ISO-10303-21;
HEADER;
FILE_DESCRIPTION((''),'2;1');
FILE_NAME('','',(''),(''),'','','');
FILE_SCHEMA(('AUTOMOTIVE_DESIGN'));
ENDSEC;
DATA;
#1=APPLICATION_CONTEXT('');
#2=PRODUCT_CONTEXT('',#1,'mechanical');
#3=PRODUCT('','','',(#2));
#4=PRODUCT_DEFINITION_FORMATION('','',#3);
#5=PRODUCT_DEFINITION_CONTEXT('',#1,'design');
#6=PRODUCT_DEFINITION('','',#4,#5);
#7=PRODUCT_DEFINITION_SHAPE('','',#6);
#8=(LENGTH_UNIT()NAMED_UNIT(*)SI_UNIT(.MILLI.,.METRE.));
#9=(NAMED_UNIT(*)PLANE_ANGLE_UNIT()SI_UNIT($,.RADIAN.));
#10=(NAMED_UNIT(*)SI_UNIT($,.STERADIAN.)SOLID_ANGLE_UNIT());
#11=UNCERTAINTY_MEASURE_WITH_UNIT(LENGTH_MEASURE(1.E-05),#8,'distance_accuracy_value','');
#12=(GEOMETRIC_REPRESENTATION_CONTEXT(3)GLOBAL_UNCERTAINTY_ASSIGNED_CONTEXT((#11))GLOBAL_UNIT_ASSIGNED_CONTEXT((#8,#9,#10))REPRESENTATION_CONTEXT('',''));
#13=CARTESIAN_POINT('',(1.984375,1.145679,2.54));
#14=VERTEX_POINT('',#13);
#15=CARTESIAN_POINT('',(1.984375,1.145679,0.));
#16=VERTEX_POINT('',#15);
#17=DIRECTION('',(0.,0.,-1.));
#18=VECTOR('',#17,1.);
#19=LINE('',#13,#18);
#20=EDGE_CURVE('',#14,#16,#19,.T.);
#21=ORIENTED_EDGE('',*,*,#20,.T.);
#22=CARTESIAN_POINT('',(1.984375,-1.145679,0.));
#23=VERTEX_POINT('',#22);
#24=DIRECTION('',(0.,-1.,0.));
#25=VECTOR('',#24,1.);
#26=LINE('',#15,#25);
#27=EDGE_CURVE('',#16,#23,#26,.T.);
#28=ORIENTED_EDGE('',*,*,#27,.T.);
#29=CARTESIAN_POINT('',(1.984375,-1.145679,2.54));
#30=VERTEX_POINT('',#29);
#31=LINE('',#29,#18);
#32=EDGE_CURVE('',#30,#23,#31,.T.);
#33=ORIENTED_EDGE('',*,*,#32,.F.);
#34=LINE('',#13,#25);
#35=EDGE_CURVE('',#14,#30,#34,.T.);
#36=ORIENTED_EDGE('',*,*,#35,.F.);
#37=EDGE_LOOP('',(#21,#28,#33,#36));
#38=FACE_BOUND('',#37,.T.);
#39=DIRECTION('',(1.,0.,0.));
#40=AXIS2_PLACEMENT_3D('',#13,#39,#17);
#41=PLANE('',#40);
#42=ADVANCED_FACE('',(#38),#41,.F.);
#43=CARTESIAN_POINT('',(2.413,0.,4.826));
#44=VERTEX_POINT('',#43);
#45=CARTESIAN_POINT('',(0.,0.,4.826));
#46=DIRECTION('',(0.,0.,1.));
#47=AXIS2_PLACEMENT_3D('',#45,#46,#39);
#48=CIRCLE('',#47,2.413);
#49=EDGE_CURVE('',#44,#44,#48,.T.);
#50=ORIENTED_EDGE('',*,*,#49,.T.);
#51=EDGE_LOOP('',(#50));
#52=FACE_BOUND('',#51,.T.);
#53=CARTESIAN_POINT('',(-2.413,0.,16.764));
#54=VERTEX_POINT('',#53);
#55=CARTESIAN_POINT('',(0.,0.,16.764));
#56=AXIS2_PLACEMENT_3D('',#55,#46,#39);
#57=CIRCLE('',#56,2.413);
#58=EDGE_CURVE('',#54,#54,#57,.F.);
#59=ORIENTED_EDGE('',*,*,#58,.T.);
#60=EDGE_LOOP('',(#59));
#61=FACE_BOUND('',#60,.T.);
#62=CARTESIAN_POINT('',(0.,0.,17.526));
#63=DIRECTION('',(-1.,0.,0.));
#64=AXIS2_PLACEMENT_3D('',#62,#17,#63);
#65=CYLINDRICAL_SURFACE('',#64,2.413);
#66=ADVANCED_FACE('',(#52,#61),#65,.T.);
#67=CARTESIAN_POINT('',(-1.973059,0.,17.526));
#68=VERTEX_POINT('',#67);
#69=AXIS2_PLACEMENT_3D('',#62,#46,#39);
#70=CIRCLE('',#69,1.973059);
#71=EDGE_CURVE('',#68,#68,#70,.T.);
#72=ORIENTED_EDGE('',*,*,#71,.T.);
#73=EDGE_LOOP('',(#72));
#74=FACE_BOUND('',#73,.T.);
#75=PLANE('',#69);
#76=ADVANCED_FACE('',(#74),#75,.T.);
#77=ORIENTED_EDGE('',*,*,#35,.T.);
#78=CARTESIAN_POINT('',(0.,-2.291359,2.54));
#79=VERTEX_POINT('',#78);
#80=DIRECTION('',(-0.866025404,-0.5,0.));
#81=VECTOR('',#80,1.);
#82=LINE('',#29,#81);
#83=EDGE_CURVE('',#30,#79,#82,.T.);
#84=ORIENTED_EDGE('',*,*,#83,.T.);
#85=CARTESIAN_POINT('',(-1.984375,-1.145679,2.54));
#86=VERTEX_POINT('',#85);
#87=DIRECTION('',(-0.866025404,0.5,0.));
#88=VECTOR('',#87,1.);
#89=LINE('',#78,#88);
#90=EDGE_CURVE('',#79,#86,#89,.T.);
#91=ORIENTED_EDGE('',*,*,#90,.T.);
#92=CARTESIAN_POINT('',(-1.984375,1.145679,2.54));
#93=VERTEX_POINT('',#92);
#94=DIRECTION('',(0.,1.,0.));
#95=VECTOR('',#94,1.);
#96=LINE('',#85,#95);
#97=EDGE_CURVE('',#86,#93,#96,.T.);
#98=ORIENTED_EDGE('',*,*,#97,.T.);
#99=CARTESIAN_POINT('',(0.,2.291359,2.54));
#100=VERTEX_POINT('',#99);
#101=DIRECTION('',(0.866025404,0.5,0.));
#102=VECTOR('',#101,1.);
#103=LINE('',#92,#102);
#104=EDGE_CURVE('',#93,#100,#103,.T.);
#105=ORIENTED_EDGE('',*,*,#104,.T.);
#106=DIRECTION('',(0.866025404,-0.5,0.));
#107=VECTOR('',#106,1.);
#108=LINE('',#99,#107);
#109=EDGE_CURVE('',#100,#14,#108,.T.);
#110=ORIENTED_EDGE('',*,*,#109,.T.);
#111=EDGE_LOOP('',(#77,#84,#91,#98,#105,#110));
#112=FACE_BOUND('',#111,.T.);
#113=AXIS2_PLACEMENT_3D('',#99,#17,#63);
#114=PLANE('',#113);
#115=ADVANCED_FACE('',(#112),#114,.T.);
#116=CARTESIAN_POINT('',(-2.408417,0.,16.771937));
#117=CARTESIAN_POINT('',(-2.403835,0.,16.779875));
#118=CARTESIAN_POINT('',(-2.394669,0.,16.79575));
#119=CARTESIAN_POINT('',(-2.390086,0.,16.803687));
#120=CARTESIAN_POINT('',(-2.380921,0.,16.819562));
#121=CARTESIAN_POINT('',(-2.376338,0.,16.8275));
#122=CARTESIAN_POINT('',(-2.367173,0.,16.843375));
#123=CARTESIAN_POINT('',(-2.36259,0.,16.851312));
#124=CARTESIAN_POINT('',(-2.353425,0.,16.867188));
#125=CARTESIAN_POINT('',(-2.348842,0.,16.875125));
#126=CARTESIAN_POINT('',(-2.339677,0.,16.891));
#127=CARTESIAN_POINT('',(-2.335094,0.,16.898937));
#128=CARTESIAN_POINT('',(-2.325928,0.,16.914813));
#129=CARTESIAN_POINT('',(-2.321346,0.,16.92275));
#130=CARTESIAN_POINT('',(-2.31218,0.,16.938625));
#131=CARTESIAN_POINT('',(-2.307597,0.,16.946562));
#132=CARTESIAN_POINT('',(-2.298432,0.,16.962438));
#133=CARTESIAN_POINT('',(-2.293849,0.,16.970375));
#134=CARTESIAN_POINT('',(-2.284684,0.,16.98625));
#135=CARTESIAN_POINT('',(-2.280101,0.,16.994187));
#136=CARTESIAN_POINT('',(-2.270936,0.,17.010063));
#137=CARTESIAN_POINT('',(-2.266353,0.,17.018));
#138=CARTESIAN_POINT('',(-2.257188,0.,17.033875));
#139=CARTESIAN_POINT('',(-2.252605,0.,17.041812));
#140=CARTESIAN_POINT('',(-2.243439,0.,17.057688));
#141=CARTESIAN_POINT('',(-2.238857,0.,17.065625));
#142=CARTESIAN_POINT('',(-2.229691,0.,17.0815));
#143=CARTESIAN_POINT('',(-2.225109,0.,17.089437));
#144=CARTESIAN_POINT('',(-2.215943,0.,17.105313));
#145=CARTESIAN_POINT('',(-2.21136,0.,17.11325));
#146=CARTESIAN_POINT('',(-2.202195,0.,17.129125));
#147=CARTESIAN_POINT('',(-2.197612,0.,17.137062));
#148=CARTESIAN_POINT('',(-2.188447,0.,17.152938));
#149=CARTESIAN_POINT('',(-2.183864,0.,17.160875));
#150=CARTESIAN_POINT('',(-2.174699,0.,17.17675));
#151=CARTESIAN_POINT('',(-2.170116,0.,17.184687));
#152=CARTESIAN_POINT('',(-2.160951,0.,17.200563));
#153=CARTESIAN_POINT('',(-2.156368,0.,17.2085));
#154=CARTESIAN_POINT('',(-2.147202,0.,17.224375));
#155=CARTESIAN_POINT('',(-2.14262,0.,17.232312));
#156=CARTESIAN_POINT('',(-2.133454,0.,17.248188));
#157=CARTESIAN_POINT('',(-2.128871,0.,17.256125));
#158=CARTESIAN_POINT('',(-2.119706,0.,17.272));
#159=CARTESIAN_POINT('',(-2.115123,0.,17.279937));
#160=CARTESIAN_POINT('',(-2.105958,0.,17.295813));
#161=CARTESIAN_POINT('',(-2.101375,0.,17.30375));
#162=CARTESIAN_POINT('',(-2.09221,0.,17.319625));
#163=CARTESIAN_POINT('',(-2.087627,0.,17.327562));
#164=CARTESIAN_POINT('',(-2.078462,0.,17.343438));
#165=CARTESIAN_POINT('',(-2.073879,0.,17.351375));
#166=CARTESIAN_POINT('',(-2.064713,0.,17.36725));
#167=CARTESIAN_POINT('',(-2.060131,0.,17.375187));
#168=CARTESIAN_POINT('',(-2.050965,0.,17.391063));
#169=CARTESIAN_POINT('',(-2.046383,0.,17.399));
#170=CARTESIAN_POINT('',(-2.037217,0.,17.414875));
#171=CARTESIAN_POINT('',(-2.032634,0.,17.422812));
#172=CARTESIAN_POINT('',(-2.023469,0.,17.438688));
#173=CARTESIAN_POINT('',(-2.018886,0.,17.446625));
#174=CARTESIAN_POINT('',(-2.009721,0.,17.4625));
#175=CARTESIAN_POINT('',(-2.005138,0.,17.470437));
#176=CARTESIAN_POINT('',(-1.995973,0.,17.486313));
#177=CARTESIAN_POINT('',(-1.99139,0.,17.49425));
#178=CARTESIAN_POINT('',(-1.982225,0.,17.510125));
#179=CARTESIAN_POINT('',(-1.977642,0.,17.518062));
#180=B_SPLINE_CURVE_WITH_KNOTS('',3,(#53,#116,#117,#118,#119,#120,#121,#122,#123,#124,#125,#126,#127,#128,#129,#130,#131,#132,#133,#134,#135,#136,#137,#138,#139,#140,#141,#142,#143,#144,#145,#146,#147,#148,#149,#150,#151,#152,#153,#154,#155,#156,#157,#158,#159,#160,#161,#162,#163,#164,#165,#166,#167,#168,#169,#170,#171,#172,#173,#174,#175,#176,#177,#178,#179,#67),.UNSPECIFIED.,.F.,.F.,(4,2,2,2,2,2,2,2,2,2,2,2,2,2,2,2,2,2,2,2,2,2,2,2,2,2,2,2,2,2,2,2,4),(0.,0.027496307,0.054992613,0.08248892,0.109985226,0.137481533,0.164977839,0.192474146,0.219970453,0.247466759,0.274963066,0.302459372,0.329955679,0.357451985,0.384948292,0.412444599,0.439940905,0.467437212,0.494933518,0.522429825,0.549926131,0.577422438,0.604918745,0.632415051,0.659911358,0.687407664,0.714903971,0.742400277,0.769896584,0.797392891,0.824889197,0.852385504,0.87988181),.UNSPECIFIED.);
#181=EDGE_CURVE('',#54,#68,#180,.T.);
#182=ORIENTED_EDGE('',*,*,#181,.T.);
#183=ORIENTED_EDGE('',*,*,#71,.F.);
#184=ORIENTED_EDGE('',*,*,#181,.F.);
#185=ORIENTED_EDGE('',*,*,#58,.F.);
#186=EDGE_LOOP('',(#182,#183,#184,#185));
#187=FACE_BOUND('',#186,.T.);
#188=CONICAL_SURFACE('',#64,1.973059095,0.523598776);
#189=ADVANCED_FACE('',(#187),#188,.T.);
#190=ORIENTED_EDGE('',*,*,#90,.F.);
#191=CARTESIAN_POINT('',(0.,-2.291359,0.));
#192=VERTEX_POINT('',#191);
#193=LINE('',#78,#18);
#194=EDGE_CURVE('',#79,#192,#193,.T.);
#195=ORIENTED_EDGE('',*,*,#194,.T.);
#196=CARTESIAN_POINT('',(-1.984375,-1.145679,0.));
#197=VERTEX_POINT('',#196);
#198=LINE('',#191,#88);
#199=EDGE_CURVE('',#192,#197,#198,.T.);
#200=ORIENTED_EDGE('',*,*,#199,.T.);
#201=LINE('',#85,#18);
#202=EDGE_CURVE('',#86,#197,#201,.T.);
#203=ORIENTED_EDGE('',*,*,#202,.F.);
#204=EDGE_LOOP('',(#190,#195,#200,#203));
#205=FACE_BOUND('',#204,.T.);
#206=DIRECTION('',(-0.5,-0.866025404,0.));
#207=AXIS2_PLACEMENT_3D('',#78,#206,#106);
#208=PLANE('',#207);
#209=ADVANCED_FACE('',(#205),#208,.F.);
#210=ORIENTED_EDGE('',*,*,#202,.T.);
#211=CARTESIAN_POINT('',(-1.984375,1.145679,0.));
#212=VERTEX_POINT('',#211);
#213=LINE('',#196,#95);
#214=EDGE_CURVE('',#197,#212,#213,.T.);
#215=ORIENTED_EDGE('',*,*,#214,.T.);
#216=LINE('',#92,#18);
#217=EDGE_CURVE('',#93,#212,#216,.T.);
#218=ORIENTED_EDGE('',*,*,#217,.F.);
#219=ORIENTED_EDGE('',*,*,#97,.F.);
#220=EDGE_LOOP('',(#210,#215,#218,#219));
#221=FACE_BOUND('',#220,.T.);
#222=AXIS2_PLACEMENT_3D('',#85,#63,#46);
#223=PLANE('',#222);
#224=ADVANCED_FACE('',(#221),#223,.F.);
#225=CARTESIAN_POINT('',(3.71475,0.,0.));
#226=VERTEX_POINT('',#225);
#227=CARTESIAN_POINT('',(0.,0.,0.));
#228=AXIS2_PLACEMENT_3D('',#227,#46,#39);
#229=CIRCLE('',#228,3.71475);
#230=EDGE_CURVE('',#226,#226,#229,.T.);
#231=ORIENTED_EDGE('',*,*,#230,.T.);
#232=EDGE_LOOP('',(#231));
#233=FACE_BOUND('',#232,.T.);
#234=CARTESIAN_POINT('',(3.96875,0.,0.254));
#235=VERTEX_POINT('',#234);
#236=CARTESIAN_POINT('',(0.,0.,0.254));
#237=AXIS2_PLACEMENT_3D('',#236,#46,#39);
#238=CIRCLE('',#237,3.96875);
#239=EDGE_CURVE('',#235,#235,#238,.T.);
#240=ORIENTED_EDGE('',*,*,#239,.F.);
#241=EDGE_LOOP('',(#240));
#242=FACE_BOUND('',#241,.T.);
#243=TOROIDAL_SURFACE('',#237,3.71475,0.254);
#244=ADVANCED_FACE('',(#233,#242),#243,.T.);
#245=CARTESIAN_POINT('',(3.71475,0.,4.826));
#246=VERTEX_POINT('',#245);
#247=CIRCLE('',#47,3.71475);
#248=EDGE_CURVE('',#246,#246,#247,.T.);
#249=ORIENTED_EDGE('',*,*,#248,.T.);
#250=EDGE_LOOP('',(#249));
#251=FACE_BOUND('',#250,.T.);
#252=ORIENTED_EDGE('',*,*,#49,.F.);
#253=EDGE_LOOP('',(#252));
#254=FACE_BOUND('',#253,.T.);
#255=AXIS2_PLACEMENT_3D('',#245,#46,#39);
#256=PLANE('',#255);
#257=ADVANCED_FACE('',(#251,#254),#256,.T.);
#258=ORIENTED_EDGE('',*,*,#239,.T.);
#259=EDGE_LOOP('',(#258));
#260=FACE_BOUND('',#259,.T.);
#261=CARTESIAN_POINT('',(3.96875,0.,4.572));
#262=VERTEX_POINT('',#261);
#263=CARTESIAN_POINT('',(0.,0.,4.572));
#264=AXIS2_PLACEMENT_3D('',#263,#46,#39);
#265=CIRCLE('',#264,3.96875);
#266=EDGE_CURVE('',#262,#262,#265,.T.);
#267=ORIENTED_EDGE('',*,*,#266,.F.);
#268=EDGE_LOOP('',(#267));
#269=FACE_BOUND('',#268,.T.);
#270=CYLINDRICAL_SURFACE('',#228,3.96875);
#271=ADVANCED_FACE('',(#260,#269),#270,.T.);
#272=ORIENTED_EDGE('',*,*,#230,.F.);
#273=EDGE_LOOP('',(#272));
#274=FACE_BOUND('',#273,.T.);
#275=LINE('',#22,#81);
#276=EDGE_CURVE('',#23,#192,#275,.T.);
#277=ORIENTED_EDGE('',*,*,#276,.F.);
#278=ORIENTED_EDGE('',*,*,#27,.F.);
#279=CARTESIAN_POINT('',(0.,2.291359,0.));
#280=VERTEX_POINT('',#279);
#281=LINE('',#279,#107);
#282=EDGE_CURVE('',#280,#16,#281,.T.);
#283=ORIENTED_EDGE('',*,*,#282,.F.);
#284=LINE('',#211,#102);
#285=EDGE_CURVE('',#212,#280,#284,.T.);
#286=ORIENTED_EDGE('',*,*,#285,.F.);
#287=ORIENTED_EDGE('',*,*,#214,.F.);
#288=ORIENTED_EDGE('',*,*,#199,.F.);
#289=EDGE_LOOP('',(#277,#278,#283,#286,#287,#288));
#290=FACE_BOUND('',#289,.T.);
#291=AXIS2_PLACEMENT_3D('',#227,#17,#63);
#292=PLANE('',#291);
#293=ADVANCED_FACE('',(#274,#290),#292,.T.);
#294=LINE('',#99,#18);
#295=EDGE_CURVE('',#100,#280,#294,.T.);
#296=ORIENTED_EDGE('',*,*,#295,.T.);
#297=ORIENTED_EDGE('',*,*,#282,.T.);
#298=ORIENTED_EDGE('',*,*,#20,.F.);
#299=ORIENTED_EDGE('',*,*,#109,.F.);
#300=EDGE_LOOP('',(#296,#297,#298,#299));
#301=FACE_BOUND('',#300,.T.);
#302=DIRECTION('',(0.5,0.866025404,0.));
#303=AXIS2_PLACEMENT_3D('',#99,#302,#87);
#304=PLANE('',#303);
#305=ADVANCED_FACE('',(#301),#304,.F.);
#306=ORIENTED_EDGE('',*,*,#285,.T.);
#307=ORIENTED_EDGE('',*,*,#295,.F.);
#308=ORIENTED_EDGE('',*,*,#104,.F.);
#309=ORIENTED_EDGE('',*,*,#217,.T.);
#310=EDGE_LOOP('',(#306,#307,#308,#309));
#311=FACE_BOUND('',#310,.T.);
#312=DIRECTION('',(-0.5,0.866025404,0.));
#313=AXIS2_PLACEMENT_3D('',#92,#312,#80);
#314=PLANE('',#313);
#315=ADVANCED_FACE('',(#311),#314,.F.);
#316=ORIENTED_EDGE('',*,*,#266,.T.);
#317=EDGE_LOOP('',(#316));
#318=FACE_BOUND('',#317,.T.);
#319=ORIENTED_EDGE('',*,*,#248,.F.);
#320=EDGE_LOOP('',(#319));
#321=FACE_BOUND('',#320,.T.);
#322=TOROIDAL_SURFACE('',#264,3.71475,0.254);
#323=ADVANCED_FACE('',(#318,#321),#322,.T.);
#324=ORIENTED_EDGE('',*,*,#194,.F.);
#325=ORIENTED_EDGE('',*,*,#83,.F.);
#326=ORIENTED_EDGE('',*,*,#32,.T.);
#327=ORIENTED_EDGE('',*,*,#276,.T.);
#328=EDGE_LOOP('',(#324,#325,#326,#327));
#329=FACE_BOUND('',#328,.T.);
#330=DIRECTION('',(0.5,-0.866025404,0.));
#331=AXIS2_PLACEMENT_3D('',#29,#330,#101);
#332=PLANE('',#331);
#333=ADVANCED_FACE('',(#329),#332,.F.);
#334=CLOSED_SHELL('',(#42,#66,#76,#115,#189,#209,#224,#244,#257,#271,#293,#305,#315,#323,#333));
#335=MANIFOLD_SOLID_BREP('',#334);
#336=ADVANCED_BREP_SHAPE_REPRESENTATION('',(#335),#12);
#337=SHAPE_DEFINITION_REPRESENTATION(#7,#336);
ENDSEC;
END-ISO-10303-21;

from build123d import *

# Parameters (mm, degrees)
CUT_EXTRUDE1_DEPTH  = 2.54
SKETCH3_R           = 2.413
BOSS_EXTRUDE1_DEPTH = 12.7
CHAMFER1_SIZE       = 0.762
CHAMFER1_SIZE2      = 0.439940905


with BuildPart() as part:
    # Sketch1 → Revolve1 (revolve)
    with BuildSketch(Plane(origin=(0, 0, 0), x_dir=(1, 0, 0), z_dir=(0, 1, 0))):
        with BuildLine():
            Line((0, 0), (3.71475, 0))
            ThreePointArc((3.71475, 0), (3.894355122, -0.074394878), (3.96875, -0.254))
            Line((3.96875, -0.254), (3.96875, -4.572))
            ThreePointArc((3.96875, -4.572), (3.894355122, -4.751605122), (3.71475, -4.826))
            Line((3.71475, -4.826), (0, -4.826))
            Line((0, -4.826), (0, 0))
        make_face()
    revolve(axis=Axis((0, 0, 0), (0, 0, -1)))

    # Sketch2 → Cut-Extrude1 (cut)
    with BuildSketch(Plane(origin=(0, 0, 0), x_dir=(-1, 0, 0), z_dir=(0, 0, -1))):
        Polygon((0, 2.291358881), (-1.984375, 1.14567944), (-1.984375, -1.14567944), (0, -2.291358881), (1.984375, -1.14567944), (1.984375, 1.14567944), align=None)
    extrude(amount=-CUT_EXTRUDE1_DEPTH, mode=Mode.SUBTRACT)

    # Sketch3 → Boss-Extrude1 (add)
    with BuildSketch(Plane.XY.offset(4.826)):
        Circle(SKETCH3_R)
    extrude(amount=BOSS_EXTRUDE1_DEPTH)

    # Chamfer1
    chamfer1_edges = [part.edges().sort_by_distance(p)[0] for p in [
        (-2.413, 0, 17.526),
    ]]
    chamfer1_side = [part.faces().sort_by_distance(p)[0] for p in [
        (-2.413, 0, 11.176),
    ]]
    chamfer(chamfer1_edges, length=CHAMFER1_SIZE, length2=CHAMFER1_SIZE2, reference=chamfer1_side[0])


solid = part.part
